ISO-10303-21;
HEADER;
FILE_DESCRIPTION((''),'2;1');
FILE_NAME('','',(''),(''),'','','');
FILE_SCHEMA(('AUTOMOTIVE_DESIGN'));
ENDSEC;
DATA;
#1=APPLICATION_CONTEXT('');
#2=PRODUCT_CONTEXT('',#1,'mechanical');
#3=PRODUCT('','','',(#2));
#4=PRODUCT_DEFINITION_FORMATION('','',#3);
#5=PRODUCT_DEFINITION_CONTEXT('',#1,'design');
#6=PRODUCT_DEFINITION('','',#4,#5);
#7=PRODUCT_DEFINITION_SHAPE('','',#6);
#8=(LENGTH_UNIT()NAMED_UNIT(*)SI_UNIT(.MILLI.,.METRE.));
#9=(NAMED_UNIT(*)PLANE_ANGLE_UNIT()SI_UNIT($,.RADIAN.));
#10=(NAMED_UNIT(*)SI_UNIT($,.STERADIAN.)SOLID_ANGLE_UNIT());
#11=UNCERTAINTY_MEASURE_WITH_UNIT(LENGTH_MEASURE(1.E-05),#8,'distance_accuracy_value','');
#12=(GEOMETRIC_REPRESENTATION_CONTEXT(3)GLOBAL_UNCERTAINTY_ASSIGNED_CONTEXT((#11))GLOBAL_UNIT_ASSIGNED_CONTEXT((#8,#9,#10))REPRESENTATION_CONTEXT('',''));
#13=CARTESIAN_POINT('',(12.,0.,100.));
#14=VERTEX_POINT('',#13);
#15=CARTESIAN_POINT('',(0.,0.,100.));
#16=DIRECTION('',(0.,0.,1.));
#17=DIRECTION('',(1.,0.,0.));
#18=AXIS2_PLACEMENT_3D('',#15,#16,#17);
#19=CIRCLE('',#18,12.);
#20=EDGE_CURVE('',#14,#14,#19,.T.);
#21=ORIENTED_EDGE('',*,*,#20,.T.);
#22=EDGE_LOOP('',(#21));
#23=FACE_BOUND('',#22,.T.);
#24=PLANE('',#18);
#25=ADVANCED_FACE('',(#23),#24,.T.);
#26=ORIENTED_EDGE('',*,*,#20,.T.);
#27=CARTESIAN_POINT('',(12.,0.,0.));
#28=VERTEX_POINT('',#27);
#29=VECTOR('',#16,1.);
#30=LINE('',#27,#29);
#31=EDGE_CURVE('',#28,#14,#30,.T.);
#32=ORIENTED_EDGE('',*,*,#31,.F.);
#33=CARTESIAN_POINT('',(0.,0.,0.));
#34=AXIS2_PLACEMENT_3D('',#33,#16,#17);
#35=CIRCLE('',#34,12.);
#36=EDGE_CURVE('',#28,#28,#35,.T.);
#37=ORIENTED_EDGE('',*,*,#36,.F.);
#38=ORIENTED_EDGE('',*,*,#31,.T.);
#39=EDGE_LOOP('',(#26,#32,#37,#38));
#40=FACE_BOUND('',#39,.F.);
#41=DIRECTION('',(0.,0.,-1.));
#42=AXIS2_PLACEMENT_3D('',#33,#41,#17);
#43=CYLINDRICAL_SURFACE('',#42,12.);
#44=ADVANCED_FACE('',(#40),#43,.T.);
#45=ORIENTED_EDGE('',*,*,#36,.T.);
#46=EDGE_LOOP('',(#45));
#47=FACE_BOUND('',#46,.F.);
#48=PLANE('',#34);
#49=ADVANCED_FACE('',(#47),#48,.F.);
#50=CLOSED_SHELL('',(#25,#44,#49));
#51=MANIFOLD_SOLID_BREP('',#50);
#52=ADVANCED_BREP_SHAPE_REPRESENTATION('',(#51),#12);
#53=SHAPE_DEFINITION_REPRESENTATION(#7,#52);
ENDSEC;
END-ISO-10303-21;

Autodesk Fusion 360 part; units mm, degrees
sketch "Sketch1" plane through (0, 0, 0) normal (0, 0, 1) x (1, 0, 0)
  circle A0 centre (0, 0) radius 12
  dimension "d1" = 24
extrude "Extrude1" add sketch "Sketch1" along normal blind 100
